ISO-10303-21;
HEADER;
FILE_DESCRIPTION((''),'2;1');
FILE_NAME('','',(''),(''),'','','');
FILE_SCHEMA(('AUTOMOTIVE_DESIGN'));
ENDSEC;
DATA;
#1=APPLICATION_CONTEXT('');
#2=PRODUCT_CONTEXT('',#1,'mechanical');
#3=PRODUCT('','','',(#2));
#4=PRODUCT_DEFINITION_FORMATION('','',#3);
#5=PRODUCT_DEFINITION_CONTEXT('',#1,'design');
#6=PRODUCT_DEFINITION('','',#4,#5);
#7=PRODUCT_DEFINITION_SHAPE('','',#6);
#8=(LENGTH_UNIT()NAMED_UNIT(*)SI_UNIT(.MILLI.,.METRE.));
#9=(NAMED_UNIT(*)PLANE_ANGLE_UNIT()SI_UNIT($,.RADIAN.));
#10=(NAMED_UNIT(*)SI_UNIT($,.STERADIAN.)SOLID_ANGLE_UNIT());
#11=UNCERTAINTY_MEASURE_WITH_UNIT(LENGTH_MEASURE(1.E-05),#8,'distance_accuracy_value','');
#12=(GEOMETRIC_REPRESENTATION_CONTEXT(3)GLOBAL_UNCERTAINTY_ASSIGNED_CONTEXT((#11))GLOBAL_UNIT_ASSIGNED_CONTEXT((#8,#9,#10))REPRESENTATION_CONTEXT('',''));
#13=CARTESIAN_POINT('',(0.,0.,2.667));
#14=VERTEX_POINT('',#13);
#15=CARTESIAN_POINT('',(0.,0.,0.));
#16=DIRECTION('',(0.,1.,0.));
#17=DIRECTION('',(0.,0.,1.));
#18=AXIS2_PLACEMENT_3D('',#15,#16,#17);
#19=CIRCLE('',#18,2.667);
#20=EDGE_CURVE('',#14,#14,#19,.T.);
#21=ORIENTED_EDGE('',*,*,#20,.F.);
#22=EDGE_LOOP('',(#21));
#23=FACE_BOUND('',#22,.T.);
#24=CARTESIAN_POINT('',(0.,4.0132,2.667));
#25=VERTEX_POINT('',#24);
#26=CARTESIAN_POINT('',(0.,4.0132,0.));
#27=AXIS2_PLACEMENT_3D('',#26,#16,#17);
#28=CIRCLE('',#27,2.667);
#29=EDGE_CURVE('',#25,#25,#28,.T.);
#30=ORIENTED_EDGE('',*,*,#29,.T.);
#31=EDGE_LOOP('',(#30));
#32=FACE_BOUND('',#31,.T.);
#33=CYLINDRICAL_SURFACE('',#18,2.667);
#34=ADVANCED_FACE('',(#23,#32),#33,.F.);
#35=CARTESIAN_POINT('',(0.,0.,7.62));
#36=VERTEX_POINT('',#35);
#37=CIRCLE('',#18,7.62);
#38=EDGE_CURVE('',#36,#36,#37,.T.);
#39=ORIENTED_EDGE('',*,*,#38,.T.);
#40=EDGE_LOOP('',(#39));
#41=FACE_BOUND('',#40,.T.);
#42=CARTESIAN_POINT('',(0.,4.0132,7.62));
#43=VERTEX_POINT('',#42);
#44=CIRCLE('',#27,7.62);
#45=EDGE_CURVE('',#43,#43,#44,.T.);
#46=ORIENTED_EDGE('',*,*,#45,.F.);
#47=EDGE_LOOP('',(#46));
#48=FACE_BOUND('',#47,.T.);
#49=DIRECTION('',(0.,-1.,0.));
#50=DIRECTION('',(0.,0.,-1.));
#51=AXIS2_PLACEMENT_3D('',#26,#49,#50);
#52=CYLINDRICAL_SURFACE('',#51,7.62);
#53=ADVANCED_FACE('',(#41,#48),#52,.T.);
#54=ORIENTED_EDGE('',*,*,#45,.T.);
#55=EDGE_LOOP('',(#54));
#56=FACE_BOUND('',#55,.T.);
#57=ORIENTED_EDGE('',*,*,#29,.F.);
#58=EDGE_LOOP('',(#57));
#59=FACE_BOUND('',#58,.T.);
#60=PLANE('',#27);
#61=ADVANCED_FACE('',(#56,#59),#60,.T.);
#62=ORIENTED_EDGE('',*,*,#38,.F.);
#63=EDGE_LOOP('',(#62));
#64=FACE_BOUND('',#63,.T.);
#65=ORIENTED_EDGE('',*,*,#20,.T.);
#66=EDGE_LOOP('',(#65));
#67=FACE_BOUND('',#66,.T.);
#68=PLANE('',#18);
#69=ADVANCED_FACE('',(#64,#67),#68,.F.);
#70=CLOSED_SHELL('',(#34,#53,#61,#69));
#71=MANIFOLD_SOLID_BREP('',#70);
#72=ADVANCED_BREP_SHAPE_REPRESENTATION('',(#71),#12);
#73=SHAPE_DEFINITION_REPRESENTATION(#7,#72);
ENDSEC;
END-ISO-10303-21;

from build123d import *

# Parameters (mm, degrees)
SKETCH1_R           = 7.62
BOSS_EXTRUDE1_DEPTH = 4.0132
SKETCH2_R           = 2.667
CUT_EXTRUDE1_DEPTH  = 4.0132


with BuildPart() as part:
    # Sketch1 → Boss-Extrude1 (new body)
    with BuildSketch(Plane(origin=(0, 0, 0), x_dir=(1, 0, 0), z_dir=(0, 1, 0))):
        with Locations(Location((0, 0, 0), (0, 0, 270))):
            Circle(SKETCH1_R)
    extrude(amount=BOSS_EXTRUDE1_DEPTH)

    # Sketch2 → Cut-Extrude1 (cut)
    with BuildSketch(Plane(origin=(0, 4.0132, 0), x_dir=(1, 0, 0), z_dir=(0, 1, 0))):
        with Locations(Location((0, 0, 0), (0, 0, 270))):
            Circle(SKETCH2_R)
    extrude(amount=-CUT_EXTRUDE1_DEPTH, mode=Mode.SUBTRACT)


solid = part.part
